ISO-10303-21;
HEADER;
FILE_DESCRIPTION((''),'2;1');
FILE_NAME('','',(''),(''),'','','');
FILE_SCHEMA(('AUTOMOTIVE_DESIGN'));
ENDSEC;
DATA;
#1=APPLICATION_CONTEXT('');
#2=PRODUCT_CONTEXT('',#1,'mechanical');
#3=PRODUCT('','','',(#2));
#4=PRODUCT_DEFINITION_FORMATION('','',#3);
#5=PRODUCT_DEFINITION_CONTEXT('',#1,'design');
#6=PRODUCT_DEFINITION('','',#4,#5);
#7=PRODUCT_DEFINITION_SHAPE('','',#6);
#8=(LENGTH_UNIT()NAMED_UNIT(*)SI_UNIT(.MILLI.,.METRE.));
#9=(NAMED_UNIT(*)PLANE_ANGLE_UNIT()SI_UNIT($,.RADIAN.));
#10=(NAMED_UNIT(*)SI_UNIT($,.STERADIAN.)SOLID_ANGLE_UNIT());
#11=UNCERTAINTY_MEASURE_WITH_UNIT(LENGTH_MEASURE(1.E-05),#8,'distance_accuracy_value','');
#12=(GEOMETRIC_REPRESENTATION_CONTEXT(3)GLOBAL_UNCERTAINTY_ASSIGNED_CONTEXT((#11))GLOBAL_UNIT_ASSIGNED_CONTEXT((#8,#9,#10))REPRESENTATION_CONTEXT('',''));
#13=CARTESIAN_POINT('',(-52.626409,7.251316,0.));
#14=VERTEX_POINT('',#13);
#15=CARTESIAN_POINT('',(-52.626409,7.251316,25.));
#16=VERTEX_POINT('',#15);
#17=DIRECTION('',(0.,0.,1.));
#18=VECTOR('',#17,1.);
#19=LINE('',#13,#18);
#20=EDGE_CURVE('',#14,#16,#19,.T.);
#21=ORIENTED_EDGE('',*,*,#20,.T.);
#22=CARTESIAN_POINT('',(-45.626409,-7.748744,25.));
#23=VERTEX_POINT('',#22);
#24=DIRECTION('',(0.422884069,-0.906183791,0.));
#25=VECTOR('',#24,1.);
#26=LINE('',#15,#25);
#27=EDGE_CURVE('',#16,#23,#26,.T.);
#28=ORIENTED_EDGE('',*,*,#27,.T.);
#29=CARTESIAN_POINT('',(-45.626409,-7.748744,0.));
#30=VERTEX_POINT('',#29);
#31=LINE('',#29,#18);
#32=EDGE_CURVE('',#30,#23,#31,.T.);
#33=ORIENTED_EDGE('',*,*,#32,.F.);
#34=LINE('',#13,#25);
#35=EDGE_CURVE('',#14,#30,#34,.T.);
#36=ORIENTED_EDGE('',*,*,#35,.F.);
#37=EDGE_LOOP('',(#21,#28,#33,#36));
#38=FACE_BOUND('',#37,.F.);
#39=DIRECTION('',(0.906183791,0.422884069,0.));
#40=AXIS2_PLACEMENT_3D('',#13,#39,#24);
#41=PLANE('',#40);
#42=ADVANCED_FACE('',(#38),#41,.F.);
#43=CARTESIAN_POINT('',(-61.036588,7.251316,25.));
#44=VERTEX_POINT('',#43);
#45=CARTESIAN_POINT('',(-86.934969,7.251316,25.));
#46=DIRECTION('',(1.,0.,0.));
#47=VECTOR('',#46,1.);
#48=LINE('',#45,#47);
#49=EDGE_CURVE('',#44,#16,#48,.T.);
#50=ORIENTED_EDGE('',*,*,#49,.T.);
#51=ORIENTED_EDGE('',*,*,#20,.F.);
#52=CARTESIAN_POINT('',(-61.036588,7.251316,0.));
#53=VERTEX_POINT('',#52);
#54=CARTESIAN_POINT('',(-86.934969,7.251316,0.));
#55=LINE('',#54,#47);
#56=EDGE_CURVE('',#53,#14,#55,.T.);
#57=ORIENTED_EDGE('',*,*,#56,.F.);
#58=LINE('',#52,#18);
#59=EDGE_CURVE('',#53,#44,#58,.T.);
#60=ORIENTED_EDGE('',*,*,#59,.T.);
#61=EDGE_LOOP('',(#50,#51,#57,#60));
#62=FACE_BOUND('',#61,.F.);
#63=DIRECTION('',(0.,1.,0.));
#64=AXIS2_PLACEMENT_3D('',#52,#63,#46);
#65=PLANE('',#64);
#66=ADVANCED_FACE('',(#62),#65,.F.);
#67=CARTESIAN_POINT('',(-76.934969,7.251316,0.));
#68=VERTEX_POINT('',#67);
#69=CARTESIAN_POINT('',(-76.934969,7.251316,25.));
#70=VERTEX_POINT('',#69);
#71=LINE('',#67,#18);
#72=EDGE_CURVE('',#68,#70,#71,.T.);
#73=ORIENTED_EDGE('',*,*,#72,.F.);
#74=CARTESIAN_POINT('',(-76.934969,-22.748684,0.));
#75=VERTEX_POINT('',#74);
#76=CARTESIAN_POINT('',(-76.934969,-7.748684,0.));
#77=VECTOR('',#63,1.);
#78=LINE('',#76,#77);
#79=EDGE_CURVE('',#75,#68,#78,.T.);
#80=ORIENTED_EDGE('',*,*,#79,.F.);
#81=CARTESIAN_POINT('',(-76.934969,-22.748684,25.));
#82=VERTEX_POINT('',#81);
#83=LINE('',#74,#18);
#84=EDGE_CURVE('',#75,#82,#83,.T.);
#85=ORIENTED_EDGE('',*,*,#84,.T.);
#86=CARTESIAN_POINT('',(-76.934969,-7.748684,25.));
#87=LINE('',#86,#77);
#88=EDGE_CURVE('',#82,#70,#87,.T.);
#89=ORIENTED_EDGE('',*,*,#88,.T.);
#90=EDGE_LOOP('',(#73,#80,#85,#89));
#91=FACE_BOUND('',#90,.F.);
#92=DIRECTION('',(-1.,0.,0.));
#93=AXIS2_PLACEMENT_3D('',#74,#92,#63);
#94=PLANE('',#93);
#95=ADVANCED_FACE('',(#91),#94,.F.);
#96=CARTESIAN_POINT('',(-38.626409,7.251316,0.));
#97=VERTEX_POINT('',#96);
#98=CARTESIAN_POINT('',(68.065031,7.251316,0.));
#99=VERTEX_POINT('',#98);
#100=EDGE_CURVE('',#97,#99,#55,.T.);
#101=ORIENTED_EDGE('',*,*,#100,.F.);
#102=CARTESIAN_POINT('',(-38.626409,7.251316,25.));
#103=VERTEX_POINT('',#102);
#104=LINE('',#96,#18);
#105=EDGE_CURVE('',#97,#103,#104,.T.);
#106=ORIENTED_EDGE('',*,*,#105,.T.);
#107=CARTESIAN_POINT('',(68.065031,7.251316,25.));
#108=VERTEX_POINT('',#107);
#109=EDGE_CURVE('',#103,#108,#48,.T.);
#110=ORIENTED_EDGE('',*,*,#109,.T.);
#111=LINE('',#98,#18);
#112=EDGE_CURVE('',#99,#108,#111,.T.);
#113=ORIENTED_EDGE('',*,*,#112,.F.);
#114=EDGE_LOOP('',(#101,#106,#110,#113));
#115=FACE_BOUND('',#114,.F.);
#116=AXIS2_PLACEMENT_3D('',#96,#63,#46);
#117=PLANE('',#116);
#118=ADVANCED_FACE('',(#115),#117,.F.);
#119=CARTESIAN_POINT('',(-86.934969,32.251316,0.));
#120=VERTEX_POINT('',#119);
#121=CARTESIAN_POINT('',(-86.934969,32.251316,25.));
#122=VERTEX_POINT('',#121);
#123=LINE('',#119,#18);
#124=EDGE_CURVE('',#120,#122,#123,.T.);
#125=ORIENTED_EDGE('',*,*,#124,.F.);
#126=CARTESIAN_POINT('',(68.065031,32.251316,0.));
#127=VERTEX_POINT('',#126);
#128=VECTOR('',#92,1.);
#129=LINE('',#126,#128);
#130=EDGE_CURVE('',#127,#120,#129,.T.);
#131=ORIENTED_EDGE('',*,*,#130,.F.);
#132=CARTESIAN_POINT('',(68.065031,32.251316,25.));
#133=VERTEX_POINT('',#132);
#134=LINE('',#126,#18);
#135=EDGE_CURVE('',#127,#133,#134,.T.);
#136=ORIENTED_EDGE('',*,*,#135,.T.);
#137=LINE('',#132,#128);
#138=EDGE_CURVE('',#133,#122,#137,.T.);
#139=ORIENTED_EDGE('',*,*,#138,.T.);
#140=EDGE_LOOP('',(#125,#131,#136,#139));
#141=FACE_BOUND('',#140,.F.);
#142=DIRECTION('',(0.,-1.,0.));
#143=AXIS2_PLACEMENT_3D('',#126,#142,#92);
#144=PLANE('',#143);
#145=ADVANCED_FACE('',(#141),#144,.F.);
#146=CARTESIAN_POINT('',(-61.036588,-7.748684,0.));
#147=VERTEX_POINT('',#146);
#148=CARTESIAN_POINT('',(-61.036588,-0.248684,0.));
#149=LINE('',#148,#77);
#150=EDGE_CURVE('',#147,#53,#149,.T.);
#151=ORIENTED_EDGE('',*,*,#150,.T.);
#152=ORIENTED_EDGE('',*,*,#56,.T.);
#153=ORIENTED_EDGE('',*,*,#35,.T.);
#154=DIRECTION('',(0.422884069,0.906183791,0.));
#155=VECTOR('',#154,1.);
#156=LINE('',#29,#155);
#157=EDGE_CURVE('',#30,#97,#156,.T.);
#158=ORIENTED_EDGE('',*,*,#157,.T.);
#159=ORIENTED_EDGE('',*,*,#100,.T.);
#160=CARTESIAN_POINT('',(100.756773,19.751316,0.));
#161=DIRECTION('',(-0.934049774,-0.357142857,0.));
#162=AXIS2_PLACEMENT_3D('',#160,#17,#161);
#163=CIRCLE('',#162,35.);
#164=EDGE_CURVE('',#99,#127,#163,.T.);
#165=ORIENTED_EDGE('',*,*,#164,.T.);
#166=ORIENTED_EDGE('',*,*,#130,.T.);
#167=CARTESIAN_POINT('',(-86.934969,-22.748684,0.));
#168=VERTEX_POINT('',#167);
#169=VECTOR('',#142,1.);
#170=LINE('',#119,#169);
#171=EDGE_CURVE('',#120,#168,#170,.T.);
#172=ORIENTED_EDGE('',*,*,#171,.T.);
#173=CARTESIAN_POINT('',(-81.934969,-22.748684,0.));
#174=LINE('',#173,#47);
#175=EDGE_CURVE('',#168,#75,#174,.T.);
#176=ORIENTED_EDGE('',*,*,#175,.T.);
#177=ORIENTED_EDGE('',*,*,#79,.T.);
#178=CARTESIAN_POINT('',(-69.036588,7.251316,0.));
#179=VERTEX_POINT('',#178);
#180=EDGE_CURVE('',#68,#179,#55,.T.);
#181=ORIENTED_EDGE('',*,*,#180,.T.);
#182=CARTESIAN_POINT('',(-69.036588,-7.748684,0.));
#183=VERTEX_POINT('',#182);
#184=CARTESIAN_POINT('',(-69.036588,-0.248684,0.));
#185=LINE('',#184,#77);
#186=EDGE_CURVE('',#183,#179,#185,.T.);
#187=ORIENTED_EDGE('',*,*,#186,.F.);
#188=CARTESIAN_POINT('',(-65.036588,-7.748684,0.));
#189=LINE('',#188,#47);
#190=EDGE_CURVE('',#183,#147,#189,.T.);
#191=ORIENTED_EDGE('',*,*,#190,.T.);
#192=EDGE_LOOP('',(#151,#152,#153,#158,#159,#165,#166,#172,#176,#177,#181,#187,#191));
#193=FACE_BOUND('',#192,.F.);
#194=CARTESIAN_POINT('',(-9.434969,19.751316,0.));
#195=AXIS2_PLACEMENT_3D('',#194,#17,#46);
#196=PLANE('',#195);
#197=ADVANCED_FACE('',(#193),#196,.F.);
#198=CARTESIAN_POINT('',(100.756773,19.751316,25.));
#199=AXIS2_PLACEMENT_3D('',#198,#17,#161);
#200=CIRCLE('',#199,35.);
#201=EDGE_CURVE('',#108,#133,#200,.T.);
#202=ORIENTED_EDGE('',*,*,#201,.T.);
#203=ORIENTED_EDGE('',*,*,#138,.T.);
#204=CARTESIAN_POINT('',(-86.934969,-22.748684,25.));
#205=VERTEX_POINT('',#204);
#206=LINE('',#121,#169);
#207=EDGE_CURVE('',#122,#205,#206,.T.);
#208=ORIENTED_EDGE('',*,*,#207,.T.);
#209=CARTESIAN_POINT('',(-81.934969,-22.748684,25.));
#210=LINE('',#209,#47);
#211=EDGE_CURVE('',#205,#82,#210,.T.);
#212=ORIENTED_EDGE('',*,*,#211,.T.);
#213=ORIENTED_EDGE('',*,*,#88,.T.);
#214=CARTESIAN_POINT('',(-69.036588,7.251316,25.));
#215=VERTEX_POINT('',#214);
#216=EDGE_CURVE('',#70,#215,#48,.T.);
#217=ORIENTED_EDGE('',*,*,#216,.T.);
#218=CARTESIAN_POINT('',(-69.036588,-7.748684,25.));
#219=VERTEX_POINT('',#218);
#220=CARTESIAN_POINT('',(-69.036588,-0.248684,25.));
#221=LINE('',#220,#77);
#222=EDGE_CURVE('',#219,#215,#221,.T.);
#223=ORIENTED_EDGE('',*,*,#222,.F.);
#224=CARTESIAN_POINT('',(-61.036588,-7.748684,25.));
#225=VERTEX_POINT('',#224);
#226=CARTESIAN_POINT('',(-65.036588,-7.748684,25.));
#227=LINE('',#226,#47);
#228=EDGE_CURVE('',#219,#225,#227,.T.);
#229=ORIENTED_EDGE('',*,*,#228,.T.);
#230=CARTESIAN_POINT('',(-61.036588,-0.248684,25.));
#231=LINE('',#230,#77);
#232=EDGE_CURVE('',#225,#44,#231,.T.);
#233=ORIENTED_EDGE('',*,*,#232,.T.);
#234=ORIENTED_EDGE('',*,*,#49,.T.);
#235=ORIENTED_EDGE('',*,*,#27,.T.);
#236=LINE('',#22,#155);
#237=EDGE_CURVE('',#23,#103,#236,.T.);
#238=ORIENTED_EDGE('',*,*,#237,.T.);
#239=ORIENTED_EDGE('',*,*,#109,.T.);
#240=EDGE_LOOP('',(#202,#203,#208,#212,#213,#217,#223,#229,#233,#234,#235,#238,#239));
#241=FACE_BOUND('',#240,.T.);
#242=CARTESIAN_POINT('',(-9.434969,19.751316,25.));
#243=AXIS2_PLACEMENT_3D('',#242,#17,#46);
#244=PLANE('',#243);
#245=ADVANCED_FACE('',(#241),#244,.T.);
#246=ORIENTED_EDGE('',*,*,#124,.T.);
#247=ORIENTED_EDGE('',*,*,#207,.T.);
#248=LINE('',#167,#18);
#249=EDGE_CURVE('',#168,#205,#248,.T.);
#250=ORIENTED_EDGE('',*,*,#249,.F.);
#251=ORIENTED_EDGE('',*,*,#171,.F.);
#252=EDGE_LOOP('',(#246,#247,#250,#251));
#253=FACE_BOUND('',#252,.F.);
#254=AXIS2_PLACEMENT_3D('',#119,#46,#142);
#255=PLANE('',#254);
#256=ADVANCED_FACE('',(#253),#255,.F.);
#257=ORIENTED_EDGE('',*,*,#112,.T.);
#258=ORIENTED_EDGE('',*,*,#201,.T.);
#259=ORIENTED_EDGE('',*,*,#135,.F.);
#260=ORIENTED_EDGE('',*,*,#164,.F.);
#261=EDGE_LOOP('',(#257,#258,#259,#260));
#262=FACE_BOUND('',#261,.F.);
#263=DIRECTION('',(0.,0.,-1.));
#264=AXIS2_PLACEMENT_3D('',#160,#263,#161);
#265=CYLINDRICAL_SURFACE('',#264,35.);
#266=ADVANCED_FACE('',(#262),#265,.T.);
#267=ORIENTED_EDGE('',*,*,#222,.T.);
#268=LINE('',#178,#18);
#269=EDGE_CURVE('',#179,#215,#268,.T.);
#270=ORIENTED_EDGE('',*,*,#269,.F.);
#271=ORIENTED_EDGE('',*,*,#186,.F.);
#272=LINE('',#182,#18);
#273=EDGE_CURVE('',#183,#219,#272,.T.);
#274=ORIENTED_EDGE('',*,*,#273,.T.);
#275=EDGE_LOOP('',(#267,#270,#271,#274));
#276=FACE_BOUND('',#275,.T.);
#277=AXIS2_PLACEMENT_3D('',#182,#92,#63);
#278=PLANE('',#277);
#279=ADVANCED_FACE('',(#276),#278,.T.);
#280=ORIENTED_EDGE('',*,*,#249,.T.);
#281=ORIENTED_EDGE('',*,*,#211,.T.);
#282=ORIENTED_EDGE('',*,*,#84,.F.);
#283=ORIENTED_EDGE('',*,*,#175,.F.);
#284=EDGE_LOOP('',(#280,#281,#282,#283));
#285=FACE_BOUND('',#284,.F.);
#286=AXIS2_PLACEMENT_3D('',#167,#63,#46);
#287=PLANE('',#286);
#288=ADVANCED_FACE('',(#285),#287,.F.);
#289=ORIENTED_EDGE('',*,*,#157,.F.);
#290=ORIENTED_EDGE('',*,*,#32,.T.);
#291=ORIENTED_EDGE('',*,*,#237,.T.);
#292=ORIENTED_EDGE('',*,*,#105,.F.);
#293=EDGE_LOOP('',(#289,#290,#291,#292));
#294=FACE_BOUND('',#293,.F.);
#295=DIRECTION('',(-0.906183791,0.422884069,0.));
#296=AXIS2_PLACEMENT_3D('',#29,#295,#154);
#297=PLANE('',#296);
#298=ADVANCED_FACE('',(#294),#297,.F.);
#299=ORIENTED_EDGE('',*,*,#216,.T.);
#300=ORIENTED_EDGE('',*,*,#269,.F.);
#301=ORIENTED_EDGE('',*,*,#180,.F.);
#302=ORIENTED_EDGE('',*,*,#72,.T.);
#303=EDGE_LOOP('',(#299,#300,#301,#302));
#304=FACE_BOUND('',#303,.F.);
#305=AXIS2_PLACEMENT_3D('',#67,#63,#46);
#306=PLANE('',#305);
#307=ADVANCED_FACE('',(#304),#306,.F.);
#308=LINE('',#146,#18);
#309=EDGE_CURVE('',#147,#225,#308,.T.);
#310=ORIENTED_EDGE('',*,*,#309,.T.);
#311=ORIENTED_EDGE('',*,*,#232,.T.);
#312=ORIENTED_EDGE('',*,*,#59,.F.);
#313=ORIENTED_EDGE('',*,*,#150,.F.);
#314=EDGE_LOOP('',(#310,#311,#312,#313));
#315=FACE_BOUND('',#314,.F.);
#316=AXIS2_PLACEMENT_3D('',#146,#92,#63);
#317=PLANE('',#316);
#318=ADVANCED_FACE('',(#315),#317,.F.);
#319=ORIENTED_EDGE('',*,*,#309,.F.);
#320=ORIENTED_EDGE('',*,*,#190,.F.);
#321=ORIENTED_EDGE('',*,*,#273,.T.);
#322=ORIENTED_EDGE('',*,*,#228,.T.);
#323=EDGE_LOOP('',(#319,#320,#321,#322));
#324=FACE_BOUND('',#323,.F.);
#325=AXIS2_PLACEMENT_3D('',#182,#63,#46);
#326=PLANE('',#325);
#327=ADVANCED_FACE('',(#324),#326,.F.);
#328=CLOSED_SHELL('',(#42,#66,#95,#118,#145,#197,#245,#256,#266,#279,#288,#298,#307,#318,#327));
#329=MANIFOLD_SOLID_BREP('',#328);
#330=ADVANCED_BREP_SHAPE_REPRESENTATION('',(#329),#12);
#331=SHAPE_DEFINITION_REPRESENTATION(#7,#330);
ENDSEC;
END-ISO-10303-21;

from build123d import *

# Parameters (mm, degrees)
F0_R     = 17.5
F0_W     = 10
F0_H     = 30
F0_W_2   = 8
F0_H_2   = 15
F1_DEPTH = 25


with BuildPart() as f1:
    # F0 (on Top) → F1 (new body)
    with BuildSketch(Plane.XY):
        Polygon((68.0650311708, 32.2513162987), (-86.9349688292, 32.2513162987), (-86.9349688292, 7.2513162987), (-76.9349688292, 7.2513162987), (-69.0365880728, 7.2513162987), (-61.0365880728, 7.2513162987), (-52.6264092635, 7.2513162987), (-45.6264092635, 7.2513162987), (-38.6264092635, 7.2513162987), (68.0650311708, 7.2513162987), align=None)
        with BuildLine():
            ThreePointArc((68.0650311708, 7.2513162987), (135.7567732474, 19.7513162987), (68.0650311708, 32.2513162987))
            Line((68.0650311708, 32.2513162987), (68.0650311708, 7.2513162987))
        make_face()
        with Locations((100.7567732474, 19.7513162987)):
            Circle(F0_R, mode=Mode.SUBTRACT)
        with Locations((100.7567732474, 19.7513162987)):
            Circle(F0_R)
        with Locations((-81.9349688292, -7.7486837013)):
            Rectangle(F0_W, F0_H)
        with Locations((-65.0365880728, -0.2486837013)):
            Rectangle(F0_W_2, F0_H_2)
        Polygon((-45.6264092635, -7.7487440012), (-38.6264092635, 7.2513162987), (-45.6264092635, 7.2513162987), (-52.6264092635, 7.2513162987), align=None)
    extrude(amount=F1_DEPTH)


solid = f1.part
